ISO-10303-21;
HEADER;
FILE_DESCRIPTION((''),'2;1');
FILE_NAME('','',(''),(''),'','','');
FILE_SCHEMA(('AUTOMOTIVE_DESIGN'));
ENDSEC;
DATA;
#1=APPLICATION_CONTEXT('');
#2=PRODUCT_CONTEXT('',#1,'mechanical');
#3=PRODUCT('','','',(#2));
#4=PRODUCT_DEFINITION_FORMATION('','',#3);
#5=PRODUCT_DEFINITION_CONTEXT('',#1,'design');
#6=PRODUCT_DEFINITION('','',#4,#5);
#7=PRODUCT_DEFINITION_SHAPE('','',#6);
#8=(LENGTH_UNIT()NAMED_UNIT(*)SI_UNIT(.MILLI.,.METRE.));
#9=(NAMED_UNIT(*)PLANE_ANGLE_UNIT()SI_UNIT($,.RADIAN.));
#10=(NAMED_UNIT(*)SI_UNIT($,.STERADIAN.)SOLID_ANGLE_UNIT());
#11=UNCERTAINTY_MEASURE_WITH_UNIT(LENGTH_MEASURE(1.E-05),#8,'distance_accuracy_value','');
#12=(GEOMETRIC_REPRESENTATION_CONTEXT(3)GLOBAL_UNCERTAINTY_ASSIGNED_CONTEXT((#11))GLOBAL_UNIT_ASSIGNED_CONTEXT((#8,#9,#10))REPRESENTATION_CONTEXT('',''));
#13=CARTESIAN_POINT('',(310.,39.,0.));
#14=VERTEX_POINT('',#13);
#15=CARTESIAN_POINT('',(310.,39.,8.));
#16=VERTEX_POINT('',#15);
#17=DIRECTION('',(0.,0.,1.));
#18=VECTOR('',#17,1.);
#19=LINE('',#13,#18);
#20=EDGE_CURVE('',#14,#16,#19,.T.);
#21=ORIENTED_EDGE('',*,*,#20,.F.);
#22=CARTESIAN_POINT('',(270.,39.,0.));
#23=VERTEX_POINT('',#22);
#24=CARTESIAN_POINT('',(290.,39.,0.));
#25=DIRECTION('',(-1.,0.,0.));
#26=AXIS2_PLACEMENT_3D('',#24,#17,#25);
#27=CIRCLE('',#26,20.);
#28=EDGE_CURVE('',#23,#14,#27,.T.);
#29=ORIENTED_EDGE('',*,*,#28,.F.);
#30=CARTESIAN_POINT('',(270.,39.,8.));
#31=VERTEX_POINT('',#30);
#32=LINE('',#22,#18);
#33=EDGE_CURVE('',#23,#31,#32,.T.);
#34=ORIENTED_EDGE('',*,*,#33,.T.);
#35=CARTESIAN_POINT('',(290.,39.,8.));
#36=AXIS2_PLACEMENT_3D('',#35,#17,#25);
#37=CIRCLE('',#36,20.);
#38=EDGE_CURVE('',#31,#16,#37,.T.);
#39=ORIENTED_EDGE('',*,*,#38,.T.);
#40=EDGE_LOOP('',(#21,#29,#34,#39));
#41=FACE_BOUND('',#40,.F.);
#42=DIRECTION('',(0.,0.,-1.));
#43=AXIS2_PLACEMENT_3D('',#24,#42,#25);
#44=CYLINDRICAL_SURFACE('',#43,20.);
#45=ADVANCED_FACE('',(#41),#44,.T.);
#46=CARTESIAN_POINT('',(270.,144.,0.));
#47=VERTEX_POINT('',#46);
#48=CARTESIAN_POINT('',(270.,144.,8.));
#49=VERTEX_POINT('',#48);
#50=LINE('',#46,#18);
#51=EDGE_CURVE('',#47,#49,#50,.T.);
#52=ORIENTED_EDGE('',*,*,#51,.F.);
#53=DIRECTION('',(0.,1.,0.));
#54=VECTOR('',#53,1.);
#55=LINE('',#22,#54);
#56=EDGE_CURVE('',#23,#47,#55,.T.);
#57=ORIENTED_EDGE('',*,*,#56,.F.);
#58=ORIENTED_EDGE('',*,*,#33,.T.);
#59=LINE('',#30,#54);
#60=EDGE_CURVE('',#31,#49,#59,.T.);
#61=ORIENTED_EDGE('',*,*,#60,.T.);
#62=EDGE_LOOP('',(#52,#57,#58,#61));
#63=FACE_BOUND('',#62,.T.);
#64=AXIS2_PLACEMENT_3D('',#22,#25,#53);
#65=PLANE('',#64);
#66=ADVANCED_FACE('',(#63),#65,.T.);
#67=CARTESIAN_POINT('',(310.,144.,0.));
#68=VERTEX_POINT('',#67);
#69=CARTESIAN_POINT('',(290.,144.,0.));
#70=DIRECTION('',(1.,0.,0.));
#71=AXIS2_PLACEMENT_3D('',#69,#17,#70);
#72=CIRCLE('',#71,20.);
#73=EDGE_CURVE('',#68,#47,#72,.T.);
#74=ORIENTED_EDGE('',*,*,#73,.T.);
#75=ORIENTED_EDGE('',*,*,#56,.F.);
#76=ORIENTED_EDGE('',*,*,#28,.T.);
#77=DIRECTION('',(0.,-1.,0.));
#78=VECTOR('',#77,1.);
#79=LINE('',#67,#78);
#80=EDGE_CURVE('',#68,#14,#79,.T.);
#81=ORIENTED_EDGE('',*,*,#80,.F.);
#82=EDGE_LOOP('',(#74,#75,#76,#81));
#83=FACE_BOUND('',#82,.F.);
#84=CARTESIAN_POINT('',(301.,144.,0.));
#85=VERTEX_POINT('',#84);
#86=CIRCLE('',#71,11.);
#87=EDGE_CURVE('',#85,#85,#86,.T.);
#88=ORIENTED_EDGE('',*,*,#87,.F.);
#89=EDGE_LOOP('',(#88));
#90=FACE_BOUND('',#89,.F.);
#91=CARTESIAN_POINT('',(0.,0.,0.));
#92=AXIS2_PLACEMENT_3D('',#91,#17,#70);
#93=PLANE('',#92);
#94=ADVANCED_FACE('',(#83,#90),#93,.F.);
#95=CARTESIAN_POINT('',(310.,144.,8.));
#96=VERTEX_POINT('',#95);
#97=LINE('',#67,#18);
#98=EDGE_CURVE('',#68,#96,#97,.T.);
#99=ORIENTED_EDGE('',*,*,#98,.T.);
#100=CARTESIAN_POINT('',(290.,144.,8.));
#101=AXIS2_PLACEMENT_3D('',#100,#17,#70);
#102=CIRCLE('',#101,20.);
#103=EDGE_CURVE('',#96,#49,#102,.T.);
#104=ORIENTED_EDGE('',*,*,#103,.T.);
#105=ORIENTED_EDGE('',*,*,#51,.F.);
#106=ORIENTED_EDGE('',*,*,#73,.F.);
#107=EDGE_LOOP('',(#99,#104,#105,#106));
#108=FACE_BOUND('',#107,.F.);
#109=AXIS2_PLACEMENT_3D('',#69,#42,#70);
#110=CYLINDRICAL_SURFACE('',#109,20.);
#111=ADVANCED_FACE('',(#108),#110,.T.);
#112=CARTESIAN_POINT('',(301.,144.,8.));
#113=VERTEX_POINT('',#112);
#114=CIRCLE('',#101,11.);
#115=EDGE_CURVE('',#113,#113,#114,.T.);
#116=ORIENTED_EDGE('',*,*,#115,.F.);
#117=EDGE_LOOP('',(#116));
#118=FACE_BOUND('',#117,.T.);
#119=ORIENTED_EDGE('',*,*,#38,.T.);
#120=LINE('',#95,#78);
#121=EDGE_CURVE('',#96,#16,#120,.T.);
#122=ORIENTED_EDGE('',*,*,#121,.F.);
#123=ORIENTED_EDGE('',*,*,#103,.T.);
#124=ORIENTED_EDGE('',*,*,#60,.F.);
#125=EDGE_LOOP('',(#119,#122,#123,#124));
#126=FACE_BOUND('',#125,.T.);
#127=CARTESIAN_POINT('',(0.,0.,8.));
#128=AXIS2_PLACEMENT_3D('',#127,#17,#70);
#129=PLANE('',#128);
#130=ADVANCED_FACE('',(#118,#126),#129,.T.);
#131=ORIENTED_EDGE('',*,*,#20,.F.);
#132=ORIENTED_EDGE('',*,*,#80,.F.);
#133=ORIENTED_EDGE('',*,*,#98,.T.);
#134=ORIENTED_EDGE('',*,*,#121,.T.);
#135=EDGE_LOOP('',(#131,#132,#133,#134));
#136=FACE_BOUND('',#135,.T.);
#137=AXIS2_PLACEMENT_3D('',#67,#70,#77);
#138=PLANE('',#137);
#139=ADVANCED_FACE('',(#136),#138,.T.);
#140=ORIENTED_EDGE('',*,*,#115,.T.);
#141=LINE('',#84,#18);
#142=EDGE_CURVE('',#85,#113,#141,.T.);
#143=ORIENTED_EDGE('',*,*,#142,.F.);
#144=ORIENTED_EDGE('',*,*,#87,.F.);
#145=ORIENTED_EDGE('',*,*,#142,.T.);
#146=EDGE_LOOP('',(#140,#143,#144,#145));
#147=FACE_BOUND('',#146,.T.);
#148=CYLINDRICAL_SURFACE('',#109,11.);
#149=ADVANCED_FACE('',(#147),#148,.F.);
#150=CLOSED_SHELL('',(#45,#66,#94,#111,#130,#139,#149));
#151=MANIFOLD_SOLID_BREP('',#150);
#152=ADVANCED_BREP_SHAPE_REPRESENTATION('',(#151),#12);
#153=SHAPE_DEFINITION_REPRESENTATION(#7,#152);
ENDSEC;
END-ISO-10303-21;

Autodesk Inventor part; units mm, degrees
ref_plane "YZ Plane" through (0, 0, 0) normal (1, 0, 0) x (0, 1, 0)
ref_plane "XZ Plane" through (0, 0, 0) normal (0, 1, 0) x (-1, 0, 0)
ref_plane "XY Plane" through (0, 0, 0) normal (0, 0, 1) x (1, 0, 0)
sketch "Sketch1" plane through (0, 0, 0) normal (0, 0, 1) x (1, 0, 0)
  line L0 (0, 0) -> (220, 0) construction
  line L1 (220, 0) -> (220, 9) construction
  line L2 (220, 9) -> (0, 9) construction
  line L3 (0, 9) -> (0, 0) construction
  line L4 (0, 9) -> (90.94, 295.0593) construction
  line L5 (129.06, 295.0593) -> (220, 9) construction
  circle A0 centre (110, 289) radius 11 construction
  line L6 (96.1101, 281.616) -> (103.5522, 305.0259) construction
  arc A1 (129.06, 295.0593) -> (90.94, 295.0593) centre (110, 289) ccw construction
  line L7 (99, 275.5567) -> (99, 269.1274) construction
  line L8 (110, 289) -> (110, 144) construction
  line L9 (130, 289) -> (130, 144) construction
  line L10 (90, 144) -> (90, 289) construction
  arc A2 (130, 289) -> (90, 289) centre (110, 289) ccw construction
  arc A3 (90, 144) -> (130, 144) centre (110, 144) ccw construction
  line L11 (290, 144) -> (290, 249) construction
  line L12 (310, 144) -> (310, 249) construction
  line L13 (270, 249) -> (270, 144) construction
  arc A4 (270, 144) -> (310, 144) centre (290, 144) ccw construction
  arc A5 (310, 249) -> (270, 249) centre (290, 249) ccw construction
  arc A6 (90, 289) -> (130, 289) centre (110, 289) ccw construction
  line L14 (98.9216, 269) -> (121.0784, 269) construction
  line L15 (209.0249, 269) -> (370.9751, 269) construction
  line L16 (209.0249, 144) -> (370.9751, 144) construction
  line L17 (290, 144) -> (290, 39) construction
  line L18 (310, 144) -> (310, 39)
  line L19 (270, 39) -> (270, 144)
  arc A7 (310, 144) -> (270, 144) centre (290, 144) ccw
  arc A8 (270, 39) -> (310, 39) centre (290, 39) ccw
  line L20 (209.0249, 19) -> (370.9751, 19) construction
  circle A9 centre (110, 289) radius 11 construction
  circle A10 centre (110, 144) radius 11 construction
  circle A11 centre (290, 144) radius 11
  circle A12 centre (290, 39) radius 11
  point P0 (110, 0)
  point P1 (110, 216.5)
  point P2 (110, 309)
  point P3 (290, 196.5)
  point P4 (110, 269)
  point P5 (110, 269)
  point P6 (290, 269)
  dimension "d0" = 9
  dimension "d1" = 220
  dimension "d2" = 22
  dimension "d3" = 280
  dimension "d4" = 9
  dimension "d7" = 40
  dimension "d8" = 40
  dimension "pendgap" = 0
  dimension "abovethefloor" = 10
  dimension "d11" = 105
  dimension "d12" = 145
  dimension "d14" = 22
  dimension "d18" = 22
  dimension "d19" = 22
  dimension "d20" = 50
extrude "Extrusion3" add sketch "Sketch1" along normal blind 8 contours L18 A8 L19 A7 | A12
properties part number "SecondPendulum"
